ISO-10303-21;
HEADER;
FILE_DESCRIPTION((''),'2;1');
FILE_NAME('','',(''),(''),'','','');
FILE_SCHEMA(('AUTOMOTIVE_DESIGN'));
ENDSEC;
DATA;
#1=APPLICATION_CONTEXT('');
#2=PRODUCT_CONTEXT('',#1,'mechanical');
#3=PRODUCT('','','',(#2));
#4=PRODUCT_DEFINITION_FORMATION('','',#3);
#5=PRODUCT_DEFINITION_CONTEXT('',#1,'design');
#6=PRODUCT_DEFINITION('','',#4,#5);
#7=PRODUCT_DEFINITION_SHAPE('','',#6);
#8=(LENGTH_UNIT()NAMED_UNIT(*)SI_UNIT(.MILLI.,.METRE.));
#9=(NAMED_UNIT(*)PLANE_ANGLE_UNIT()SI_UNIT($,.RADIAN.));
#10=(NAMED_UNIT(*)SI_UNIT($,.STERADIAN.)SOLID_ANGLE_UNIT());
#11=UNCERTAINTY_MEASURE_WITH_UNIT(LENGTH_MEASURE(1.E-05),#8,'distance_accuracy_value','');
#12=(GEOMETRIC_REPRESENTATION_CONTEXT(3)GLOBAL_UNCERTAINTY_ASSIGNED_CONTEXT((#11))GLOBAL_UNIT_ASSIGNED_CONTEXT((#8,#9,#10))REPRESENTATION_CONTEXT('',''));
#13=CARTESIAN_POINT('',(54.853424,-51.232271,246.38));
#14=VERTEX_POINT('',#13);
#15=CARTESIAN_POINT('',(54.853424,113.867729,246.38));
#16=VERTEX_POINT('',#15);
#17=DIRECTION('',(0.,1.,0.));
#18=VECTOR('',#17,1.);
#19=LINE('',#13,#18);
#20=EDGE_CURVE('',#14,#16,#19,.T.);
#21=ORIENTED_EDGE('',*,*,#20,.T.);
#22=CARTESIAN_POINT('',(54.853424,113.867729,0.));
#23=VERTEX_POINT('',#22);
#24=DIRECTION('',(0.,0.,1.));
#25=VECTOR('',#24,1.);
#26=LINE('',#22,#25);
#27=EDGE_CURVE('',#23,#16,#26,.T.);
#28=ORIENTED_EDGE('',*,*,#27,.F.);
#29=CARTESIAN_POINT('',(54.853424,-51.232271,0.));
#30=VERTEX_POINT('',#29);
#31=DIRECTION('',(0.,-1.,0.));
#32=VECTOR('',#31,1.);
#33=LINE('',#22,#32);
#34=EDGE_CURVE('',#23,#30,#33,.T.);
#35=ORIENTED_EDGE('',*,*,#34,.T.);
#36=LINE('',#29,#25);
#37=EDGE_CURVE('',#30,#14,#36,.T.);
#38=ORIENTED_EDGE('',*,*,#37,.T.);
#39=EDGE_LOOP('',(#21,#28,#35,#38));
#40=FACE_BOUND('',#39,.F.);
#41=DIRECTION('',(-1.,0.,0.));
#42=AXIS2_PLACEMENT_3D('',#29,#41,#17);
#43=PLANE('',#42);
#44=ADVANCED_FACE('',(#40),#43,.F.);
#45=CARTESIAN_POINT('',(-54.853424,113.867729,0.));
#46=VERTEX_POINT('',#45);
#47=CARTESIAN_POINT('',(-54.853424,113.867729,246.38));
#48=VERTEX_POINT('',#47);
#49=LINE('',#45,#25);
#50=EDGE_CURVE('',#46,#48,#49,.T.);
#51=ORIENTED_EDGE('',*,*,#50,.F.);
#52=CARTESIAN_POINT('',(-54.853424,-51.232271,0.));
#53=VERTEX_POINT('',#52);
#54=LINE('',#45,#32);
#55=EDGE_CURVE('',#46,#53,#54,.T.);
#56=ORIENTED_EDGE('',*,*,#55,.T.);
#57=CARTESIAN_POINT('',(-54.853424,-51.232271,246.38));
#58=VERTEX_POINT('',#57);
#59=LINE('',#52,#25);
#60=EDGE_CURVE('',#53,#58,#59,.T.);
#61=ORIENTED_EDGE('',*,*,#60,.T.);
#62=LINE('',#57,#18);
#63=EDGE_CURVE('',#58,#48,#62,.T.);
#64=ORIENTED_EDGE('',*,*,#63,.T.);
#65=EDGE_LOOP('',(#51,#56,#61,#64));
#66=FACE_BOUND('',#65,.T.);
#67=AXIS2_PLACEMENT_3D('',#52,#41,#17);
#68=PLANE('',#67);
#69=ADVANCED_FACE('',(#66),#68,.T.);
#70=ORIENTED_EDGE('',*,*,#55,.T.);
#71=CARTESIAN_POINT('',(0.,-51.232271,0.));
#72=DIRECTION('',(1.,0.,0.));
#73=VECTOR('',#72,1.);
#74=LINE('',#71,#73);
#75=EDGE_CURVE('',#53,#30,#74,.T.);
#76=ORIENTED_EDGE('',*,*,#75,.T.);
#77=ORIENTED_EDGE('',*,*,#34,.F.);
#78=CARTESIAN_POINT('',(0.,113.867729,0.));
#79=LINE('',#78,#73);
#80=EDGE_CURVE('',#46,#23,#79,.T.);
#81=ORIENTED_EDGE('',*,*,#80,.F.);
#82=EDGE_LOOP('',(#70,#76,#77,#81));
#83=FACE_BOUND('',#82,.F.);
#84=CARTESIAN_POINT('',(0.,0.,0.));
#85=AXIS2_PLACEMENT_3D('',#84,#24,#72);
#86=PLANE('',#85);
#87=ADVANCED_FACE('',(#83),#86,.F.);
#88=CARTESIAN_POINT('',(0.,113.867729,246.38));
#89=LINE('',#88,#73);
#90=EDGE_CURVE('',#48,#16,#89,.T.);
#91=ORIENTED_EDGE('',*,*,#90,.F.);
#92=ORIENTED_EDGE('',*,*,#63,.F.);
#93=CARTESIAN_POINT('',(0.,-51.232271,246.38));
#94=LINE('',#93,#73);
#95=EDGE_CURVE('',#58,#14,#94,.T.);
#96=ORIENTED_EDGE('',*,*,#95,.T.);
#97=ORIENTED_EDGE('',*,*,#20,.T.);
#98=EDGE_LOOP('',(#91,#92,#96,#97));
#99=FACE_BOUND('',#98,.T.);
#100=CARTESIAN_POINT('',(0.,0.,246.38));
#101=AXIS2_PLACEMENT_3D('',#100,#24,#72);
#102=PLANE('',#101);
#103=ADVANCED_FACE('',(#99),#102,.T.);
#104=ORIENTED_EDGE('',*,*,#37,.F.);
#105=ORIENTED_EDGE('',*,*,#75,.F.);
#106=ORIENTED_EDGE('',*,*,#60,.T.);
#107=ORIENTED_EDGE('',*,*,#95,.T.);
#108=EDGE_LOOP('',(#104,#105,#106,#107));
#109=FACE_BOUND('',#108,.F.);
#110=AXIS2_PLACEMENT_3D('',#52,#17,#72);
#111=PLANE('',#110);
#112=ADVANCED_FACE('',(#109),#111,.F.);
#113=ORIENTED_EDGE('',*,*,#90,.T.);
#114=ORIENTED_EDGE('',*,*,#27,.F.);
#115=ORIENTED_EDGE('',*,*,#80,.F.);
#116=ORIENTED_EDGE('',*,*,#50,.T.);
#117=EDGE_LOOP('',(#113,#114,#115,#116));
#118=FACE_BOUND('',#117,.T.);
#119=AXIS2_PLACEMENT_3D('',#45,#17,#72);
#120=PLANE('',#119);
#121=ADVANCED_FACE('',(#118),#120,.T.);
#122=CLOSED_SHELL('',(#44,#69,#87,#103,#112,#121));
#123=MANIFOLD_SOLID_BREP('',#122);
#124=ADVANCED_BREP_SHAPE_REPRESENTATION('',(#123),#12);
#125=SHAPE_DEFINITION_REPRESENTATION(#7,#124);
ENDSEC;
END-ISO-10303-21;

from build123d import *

# Parameters (mm, degrees)
F0_W     = 109.7068488598
F0_H     = 102.4645417929
F1_DEPTH = 246.38
F3_DEPTH = 165.1


with BuildPart() as f1:
    # F0 (on Top) → F1 (new body)
    with BuildSketch(Plane.XY):
        Rectangle(F0_W, F0_H)
    extrude(amount=F1_DEPTH)

    # F3 (add): a face of the model
    f3_faces = [f1.faces().sort_by_distance(p)[0] for p in [
        (0, -51.2322708964, 123.19),
    ]]
    extrude(f3_faces, amount=-F3_DEPTH)


solid = f1.part
